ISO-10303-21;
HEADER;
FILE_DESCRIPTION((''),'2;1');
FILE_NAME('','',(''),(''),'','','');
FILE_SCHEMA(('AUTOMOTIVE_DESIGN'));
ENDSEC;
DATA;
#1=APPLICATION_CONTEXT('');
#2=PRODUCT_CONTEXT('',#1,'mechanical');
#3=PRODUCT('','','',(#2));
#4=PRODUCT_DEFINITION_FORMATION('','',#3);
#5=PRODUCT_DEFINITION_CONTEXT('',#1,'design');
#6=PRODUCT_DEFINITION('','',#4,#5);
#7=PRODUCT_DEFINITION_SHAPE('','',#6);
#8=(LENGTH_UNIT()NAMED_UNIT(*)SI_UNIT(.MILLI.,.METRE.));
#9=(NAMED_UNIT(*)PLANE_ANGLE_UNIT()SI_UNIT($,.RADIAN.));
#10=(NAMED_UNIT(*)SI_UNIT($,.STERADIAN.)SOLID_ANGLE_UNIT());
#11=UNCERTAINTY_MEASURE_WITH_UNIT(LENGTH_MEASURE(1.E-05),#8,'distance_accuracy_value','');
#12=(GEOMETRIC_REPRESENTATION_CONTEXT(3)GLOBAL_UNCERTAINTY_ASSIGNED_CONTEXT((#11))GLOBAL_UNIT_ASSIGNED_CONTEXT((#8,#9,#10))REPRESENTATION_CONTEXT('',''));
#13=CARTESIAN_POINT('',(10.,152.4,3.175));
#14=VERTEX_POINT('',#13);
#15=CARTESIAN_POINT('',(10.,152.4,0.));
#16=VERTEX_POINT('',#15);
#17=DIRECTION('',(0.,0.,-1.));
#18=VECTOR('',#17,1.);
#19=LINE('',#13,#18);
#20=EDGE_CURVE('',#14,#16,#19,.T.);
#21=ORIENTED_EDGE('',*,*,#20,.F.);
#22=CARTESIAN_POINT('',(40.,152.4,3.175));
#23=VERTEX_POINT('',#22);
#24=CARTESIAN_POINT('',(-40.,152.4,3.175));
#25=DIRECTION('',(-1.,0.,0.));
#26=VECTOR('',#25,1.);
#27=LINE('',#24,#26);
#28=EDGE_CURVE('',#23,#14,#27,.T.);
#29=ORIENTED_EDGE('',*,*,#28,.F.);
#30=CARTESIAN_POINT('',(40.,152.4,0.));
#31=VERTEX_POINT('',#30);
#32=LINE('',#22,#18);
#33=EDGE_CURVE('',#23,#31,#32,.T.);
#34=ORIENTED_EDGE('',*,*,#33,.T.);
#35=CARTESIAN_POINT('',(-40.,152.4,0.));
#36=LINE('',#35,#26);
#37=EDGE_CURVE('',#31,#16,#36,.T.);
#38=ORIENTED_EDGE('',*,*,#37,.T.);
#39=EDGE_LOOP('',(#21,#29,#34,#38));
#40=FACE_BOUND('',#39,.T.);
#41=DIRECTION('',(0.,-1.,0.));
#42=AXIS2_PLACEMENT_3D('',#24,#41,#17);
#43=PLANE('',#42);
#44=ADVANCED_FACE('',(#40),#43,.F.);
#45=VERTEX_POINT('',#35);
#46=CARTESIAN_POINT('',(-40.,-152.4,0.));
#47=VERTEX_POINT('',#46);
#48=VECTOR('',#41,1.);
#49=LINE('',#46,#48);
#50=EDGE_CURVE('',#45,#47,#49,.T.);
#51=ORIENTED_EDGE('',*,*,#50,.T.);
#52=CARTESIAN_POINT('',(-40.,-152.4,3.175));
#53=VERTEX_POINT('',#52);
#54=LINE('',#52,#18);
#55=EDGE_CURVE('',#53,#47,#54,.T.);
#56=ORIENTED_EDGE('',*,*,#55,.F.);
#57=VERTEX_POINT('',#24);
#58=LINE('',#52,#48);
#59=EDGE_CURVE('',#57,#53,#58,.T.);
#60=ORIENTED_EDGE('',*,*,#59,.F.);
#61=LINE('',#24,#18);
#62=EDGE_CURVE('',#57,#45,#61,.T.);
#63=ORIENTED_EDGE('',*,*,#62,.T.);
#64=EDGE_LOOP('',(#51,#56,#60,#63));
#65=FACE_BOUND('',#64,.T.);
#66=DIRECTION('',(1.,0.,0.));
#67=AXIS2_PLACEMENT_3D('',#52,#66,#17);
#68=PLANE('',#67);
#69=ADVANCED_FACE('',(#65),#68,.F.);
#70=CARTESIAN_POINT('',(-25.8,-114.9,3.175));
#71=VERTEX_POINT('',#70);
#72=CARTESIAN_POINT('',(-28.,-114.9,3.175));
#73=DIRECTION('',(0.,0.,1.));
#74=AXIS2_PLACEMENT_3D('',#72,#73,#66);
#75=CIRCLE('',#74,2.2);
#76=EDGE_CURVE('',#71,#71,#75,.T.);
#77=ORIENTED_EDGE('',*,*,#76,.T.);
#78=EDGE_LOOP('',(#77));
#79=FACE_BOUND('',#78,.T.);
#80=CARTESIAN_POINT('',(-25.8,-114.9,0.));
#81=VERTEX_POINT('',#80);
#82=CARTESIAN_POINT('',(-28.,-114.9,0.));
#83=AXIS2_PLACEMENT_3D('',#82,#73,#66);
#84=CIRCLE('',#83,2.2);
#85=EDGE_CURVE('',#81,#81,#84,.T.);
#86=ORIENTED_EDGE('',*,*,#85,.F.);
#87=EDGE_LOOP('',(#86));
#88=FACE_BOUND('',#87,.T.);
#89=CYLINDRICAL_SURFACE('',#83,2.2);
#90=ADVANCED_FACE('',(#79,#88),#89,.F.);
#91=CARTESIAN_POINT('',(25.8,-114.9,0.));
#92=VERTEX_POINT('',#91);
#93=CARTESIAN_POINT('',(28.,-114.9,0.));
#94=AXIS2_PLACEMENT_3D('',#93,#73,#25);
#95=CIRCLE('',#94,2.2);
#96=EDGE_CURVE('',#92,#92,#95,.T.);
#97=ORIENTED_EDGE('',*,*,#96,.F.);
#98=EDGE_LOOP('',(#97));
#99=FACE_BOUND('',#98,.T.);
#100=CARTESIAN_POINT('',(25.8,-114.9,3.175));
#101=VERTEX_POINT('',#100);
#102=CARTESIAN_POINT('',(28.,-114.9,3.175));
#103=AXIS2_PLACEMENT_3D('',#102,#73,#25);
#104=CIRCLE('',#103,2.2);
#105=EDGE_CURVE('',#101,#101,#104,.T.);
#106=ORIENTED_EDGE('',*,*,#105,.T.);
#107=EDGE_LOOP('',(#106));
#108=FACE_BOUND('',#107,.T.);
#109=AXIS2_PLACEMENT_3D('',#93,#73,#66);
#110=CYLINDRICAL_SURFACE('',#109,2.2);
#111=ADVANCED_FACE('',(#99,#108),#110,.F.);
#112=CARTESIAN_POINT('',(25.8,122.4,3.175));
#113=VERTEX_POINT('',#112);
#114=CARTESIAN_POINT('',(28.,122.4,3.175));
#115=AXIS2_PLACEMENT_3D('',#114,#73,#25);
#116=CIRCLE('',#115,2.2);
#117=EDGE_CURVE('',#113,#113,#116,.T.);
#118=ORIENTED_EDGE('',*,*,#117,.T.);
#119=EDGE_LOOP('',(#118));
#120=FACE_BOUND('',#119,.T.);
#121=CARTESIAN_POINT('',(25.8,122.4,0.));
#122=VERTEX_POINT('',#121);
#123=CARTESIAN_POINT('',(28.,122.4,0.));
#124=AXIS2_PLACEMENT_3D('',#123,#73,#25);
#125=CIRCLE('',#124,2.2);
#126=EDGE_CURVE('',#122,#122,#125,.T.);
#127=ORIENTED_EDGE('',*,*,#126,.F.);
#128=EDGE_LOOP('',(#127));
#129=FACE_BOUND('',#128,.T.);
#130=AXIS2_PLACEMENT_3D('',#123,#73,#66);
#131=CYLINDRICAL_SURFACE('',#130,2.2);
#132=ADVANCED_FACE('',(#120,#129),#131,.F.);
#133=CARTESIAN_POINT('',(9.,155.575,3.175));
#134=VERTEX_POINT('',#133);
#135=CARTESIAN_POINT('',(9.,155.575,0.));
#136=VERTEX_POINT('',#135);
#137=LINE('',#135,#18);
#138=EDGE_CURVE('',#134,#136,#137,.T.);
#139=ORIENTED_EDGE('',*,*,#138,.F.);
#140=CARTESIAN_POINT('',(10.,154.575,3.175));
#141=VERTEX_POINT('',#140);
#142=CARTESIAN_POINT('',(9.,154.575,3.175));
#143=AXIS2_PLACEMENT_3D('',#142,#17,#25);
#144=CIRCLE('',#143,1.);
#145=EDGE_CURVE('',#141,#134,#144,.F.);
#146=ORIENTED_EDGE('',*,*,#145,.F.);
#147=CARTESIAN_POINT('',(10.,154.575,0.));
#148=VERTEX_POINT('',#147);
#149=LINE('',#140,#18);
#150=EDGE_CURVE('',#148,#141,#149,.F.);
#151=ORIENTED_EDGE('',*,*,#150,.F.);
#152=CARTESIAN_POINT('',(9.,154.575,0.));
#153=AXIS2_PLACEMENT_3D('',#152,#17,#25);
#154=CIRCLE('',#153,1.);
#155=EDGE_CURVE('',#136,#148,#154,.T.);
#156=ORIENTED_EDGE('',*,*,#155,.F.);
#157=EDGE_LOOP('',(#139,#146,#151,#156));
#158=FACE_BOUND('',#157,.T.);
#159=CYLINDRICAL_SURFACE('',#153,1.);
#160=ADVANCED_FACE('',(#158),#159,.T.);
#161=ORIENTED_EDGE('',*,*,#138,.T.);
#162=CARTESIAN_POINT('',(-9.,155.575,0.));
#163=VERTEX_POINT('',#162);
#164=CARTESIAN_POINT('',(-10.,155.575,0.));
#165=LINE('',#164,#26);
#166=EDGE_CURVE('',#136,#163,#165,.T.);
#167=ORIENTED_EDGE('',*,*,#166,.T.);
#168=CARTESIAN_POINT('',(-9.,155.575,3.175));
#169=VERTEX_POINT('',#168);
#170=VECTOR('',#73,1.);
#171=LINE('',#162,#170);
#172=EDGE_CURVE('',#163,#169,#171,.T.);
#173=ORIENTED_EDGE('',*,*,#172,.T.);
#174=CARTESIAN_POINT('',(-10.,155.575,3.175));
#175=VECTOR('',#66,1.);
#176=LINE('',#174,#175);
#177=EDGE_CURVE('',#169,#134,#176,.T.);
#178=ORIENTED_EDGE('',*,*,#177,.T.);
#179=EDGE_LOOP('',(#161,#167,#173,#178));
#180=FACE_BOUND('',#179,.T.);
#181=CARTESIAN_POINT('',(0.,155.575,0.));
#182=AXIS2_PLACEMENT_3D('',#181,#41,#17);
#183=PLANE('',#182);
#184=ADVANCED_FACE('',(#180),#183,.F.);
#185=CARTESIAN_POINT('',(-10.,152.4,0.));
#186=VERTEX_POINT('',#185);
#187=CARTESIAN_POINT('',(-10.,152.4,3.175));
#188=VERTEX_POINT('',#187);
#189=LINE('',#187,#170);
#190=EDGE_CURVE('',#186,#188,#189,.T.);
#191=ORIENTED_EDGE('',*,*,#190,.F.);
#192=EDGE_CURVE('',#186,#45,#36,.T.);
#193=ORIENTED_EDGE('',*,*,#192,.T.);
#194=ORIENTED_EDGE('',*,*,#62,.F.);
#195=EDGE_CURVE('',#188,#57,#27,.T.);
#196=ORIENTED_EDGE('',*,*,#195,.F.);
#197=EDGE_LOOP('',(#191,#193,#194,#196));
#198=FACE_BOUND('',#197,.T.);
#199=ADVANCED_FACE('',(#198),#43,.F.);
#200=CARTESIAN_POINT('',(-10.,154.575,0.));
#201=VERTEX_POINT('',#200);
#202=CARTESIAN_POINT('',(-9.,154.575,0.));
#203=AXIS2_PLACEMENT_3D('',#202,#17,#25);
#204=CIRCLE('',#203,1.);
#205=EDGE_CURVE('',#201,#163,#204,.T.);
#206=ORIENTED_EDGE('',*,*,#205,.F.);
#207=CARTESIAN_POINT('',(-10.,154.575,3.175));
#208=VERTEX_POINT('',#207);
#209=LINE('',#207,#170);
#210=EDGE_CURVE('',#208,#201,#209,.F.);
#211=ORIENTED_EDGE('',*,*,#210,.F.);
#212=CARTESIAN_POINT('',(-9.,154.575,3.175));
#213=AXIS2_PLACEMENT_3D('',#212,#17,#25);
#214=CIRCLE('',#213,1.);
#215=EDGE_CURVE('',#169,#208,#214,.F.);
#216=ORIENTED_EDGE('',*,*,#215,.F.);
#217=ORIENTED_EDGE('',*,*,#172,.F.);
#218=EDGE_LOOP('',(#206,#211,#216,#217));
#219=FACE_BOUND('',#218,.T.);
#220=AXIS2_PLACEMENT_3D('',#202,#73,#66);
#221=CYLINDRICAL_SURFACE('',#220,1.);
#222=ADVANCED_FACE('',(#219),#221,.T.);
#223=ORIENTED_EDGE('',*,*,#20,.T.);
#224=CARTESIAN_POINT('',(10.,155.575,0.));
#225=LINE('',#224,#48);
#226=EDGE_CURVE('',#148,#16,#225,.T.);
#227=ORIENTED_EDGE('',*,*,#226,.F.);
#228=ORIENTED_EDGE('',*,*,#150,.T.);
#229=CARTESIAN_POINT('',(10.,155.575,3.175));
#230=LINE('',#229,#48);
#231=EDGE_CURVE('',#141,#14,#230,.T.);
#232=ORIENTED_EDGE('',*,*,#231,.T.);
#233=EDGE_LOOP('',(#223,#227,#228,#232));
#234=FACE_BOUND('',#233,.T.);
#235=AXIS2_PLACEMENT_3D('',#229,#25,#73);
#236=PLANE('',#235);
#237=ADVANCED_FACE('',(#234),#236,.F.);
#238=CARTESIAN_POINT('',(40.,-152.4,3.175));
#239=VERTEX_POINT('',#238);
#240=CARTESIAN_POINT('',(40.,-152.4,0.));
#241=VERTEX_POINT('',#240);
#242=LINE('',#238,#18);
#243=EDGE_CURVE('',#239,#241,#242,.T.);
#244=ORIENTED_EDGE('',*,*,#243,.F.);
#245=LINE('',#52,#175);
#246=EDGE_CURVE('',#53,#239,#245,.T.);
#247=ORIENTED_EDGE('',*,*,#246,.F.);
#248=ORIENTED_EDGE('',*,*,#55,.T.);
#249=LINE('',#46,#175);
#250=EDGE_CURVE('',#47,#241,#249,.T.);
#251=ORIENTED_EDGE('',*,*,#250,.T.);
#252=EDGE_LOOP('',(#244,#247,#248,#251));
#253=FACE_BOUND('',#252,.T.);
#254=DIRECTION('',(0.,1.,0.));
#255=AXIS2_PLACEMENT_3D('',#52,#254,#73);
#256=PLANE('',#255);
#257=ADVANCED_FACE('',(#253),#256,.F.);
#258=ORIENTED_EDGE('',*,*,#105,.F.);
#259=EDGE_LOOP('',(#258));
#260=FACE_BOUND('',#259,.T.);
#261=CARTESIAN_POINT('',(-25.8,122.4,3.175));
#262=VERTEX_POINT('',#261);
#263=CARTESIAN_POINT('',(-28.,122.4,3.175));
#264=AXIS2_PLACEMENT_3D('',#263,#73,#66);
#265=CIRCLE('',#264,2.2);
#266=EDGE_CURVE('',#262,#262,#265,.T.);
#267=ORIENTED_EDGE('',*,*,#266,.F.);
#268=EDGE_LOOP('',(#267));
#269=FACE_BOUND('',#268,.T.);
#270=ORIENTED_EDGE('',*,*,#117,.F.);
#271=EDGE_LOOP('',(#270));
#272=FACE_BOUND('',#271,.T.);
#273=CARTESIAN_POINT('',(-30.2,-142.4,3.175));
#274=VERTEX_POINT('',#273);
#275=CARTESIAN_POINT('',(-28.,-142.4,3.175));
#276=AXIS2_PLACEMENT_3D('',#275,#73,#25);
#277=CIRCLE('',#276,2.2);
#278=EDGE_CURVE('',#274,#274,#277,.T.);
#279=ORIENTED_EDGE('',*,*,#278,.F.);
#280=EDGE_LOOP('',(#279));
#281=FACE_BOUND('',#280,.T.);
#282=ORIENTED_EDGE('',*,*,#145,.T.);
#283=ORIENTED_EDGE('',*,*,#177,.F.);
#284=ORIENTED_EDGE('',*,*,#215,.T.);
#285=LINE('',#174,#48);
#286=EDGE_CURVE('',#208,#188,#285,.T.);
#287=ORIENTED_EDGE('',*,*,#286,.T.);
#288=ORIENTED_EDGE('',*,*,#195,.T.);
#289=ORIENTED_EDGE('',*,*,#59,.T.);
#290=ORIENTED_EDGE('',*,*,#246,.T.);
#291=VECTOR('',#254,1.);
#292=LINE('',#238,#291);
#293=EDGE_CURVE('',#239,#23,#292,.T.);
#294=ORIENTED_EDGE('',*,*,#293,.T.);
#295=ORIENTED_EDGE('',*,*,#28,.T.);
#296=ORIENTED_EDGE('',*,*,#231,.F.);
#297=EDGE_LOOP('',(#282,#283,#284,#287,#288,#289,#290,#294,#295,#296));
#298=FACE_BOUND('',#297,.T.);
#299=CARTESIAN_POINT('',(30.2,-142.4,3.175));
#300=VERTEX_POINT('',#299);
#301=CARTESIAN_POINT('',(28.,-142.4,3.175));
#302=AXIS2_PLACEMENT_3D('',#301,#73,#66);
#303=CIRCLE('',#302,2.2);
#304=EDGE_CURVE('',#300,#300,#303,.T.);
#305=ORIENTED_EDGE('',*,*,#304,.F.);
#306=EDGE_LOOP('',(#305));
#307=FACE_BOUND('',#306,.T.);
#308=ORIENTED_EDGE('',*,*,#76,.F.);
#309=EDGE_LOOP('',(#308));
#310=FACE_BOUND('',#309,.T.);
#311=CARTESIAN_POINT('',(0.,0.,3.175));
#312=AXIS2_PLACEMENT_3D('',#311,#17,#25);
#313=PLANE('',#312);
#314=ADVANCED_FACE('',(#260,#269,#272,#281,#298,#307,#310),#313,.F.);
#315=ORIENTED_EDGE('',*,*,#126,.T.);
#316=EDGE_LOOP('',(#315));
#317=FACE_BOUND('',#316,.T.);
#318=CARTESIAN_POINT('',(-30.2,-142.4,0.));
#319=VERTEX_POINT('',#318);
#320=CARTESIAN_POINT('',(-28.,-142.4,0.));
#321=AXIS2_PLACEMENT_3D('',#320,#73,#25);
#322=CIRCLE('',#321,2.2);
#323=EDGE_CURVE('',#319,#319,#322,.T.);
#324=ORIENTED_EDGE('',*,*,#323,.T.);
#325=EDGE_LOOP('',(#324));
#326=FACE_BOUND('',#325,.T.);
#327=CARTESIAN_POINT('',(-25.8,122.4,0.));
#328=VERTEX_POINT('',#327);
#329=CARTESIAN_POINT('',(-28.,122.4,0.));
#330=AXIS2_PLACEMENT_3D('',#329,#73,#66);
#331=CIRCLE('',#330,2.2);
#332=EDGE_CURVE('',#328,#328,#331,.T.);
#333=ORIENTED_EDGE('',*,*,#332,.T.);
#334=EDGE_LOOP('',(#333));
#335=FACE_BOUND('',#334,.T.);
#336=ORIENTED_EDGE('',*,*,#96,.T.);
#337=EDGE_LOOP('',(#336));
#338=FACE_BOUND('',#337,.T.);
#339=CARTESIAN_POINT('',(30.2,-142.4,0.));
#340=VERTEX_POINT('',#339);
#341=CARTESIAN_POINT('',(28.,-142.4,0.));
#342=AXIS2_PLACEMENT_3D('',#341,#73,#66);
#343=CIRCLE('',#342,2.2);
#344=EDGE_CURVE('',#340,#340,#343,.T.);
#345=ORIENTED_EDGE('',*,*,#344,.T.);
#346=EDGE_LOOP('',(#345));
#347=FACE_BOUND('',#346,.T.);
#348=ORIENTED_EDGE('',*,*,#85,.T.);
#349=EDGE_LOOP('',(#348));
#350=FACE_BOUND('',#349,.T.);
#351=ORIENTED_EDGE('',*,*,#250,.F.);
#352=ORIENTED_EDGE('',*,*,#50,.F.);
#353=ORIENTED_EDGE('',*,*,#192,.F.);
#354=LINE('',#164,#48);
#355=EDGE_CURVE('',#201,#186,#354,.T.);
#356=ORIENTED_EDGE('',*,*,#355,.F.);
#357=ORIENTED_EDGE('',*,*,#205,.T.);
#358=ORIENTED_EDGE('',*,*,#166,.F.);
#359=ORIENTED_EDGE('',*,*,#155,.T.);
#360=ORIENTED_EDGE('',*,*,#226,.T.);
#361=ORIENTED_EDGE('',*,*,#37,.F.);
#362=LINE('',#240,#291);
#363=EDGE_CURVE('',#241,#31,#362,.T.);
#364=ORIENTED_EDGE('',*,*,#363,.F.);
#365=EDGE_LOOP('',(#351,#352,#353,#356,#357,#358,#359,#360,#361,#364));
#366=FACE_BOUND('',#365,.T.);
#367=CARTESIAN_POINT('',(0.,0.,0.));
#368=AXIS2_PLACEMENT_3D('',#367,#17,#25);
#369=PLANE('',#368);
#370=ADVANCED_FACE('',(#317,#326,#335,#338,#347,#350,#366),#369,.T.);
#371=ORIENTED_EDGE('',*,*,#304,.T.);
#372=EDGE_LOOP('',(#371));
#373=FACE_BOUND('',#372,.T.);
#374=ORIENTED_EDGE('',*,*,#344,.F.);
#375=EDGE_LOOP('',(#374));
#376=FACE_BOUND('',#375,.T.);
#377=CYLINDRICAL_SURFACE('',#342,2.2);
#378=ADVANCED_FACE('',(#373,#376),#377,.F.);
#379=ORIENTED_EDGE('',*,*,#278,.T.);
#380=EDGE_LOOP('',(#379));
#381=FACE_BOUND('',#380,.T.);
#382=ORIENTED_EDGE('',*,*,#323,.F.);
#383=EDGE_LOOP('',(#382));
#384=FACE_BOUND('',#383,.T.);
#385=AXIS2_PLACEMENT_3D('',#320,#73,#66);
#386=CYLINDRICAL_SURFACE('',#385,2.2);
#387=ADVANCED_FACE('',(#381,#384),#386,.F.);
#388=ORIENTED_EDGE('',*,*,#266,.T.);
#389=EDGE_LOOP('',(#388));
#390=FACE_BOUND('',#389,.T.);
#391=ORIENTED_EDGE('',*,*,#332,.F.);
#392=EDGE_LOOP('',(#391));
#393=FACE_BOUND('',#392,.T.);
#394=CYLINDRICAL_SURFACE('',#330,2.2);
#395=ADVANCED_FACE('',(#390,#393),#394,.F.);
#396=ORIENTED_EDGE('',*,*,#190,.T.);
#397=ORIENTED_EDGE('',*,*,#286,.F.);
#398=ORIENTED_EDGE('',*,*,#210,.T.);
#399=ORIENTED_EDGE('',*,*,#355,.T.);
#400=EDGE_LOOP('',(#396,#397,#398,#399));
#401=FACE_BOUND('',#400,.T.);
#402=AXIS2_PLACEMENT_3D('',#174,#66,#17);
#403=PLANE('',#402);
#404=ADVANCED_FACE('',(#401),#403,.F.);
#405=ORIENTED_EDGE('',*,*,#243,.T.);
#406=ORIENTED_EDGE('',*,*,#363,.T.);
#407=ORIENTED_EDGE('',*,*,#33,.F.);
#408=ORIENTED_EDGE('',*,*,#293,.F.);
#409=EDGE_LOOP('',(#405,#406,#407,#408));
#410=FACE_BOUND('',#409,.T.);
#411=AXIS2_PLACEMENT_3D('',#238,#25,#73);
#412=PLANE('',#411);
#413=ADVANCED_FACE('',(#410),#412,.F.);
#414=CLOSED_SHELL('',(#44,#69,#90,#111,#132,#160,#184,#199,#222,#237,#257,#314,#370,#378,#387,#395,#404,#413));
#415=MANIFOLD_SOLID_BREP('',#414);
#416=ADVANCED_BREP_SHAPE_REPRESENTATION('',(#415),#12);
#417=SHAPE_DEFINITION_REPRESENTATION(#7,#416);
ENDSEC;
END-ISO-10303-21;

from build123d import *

# Parameters (mm, degrees)
SKETCH1_W           = 80
SKETCH1_H           = 304.8
BOSS_EXTRUDE1_DEPTH = 3.175
SKETCH2_R           = 2.2
CUT_EXTRUDE1_DEPTH  = 4.175
SKETCH3_W           = 20
SKETCH3_H           = 3.175
BOSS_EXTRUDE2_DEPTH = 3.175
FILLET1_R           = 1


with BuildPart() as part:
    # Sketch1 → Boss-Extrude1 (new body)
    with BuildSketch(Plane.XY):
        Rectangle(SKETCH1_W, SKETCH1_H)
    extrude(amount=BOSS_EXTRUDE1_DEPTH)

    # Sketch2 → Cut-Extrude1 (cut, through all)
    with BuildSketch(Plane.XY.offset(3.175)):
        with Locations((-28, -114.9)):
            Circle(SKETCH2_R)
        with Locations((28, -114.9)):
            Circle(SKETCH2_R)
        with Locations((28, -142.4)):
            Circle(SKETCH2_R)
        with Locations((-28, -142.4)):
            Circle(SKETCH2_R)
        with Locations((-28, 122.4)):
            Circle(SKETCH2_R)
        with Locations((28, 122.4)):
            Circle(SKETCH2_R)
    extrude(amount=-CUT_EXTRUDE1_DEPTH, mode=Mode.SUBTRACT)

    # Sketch3 → Boss-Extrude2 (add)
    with BuildSketch(Plane(origin=(0, 152.4, 0), x_dir=(1, 0, 0), z_dir=(0, 1, 0))):
        with Locations((0, -1.5875)):
            Rectangle(SKETCH3_W, SKETCH3_H)
    extrude(amount=BOSS_EXTRUDE2_DEPTH)

    # Fillet1
    fillet1_edges = [part.edges().sort_by_distance(p)[0] for p in [
        (10, 155.575, 1.5875),
        (-10, 155.575, 1.5875),
    ]]
    fillet(fillet1_edges, radius=FILLET1_R)


solid = part.part
